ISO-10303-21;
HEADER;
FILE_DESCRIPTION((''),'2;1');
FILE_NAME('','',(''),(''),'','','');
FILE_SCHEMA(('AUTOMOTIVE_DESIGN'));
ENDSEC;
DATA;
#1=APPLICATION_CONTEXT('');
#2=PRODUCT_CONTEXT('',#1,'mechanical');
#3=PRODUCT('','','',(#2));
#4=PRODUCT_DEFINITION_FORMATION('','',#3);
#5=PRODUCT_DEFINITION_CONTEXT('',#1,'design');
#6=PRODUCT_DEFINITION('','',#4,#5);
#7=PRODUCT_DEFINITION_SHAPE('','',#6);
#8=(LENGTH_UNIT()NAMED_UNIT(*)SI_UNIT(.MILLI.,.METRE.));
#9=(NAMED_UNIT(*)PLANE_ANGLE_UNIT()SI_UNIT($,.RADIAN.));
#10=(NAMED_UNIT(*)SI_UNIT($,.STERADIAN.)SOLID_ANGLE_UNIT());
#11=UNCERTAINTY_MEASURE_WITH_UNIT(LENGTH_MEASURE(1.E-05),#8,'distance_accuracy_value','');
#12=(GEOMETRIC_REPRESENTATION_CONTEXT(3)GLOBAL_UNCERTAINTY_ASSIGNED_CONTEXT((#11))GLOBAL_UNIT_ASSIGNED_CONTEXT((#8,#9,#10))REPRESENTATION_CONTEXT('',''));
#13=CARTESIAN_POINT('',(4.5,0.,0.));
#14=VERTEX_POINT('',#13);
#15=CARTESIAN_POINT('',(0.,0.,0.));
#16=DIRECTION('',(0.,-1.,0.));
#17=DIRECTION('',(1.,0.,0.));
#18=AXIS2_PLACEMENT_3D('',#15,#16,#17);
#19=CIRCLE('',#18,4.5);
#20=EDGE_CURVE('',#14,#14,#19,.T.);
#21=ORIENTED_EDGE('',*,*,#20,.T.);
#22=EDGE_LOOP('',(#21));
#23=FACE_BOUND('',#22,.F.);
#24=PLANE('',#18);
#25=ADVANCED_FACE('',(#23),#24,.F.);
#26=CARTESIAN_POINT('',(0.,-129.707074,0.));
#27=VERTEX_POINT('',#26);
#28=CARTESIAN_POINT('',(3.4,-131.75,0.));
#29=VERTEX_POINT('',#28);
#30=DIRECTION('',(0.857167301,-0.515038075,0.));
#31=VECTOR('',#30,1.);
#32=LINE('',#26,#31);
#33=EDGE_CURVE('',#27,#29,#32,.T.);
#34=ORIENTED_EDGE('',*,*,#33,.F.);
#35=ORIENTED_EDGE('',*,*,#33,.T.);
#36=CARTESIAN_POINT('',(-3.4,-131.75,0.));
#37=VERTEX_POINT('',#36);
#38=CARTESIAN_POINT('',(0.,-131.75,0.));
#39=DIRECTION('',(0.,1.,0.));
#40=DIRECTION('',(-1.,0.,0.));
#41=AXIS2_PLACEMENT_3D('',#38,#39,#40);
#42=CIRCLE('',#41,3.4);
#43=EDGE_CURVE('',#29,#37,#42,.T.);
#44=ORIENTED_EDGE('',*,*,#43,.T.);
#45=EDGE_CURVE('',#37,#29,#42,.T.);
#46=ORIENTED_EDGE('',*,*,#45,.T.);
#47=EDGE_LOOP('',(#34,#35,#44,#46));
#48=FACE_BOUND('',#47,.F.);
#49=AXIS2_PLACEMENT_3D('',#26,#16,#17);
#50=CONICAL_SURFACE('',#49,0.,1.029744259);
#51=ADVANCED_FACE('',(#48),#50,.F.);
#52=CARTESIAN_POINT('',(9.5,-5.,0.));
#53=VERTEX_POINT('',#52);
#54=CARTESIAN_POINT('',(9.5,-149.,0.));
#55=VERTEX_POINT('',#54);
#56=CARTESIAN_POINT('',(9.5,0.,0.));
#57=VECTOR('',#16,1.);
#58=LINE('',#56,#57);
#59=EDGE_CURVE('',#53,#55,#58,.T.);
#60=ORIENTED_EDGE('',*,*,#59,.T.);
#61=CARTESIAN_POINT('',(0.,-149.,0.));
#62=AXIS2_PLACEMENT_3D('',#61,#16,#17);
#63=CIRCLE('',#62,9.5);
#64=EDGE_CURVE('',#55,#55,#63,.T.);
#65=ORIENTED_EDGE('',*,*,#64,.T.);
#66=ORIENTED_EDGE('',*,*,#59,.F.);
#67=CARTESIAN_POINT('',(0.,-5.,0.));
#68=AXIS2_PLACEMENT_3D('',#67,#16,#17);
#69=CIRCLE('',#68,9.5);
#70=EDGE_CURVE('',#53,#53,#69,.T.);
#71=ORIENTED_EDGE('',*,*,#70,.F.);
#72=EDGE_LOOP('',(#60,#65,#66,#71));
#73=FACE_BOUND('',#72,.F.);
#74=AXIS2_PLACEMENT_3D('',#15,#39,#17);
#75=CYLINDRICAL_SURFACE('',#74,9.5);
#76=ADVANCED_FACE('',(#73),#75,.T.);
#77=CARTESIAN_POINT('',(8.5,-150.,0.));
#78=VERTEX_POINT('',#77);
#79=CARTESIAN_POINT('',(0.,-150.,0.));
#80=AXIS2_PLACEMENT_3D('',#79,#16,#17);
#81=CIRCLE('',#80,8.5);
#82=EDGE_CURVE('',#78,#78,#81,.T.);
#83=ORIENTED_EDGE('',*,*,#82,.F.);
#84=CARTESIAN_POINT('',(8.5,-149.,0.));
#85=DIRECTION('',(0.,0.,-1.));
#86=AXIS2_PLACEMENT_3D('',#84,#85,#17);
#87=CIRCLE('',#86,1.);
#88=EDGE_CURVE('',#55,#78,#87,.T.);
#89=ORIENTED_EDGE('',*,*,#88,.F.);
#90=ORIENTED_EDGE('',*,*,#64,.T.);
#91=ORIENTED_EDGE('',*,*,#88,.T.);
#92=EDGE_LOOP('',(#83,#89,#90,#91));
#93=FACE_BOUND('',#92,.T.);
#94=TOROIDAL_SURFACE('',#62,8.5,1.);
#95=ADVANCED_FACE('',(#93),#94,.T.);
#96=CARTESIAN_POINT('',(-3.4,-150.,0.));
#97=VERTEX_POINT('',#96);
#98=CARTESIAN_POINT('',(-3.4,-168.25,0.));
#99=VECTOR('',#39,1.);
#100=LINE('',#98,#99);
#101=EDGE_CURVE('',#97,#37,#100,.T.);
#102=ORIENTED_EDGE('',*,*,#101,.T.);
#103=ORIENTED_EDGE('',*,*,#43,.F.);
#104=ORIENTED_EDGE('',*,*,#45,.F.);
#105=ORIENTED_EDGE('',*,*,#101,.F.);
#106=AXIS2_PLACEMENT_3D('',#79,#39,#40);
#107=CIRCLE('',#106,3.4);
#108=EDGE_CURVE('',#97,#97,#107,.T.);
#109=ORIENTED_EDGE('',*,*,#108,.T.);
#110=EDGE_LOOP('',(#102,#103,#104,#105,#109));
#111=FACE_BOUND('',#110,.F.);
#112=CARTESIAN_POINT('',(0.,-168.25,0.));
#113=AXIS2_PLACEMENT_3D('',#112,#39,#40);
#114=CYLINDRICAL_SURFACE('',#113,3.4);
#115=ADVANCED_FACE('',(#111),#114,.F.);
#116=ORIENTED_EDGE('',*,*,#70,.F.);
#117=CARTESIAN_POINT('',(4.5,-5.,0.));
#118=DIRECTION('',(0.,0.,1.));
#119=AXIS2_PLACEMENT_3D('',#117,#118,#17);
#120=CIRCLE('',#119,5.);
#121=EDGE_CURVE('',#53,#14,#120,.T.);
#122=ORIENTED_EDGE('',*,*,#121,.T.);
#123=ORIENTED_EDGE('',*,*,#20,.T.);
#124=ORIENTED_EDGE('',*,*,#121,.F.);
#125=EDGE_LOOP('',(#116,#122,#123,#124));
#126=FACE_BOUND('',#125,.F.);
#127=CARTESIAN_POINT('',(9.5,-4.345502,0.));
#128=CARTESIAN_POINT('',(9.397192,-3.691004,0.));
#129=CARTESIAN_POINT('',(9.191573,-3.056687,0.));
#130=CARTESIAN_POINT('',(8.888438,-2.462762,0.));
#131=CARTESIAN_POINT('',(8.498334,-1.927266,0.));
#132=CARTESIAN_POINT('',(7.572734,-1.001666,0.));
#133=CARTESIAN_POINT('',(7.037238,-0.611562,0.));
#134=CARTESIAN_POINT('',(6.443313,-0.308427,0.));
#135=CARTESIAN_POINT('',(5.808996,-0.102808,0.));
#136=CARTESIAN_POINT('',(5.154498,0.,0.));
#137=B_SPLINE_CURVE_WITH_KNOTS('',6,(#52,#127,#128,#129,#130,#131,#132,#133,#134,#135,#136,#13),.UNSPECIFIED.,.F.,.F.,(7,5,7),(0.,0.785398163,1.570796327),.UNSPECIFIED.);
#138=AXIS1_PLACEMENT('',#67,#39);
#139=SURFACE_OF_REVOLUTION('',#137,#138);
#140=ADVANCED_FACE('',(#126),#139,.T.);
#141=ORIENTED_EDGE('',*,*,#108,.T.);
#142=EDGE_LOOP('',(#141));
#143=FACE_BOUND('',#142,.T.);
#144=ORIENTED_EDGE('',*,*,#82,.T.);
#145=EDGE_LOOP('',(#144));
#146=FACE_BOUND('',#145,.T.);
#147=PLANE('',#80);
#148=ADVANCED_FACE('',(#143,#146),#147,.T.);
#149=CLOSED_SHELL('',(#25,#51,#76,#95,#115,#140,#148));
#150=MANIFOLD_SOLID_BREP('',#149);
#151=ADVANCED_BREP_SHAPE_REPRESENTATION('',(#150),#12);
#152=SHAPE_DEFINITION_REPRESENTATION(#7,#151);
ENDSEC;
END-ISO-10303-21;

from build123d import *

# Parameters (mm, degrees)
F0_R     = 9.5
F1_DEPTH = 150
F3_D     = 6.8
F3_DEPTH = 18.25
F3_TIP   = 2.0429261047
F4_R     = 1
F5_R     = 5


with BuildPart() as f1:
    # F0 (on Front) → F1 (new body)
    with BuildSketch(Plane.XZ):
        Circle(F0_R)
    extrude(amount=F1_DEPTH)

    # F3
    with Locations(Plane.XZ.offset(150)):
        with Locations((0, 0)):
            Hole(F3_D / 2, depth=F3_DEPTH)
            with Locations((0, 0, -(F3_DEPTH + F3_TIP / 2))):  # 118° drill point
                Cone(0, F3_D / 2, F3_TIP, mode=Mode.SUBTRACT)

    # F4
    f4_edges = [f1.edges().sort_by_distance(p)[0] for p in [
        (-9.5, -150, 0),
    ]]
    fillet(f4_edges, radius=F4_R)

    # F5
    f5_edges = [f1.edges().sort_by_distance(p)[0] for p in [
        (9.5, -74.5, 0),
        (-9.5, -149, 0),
        (-9.5, 0, 0),
    ]]
    fillet(f5_edges, radius=F5_R)


solid = f1.part
